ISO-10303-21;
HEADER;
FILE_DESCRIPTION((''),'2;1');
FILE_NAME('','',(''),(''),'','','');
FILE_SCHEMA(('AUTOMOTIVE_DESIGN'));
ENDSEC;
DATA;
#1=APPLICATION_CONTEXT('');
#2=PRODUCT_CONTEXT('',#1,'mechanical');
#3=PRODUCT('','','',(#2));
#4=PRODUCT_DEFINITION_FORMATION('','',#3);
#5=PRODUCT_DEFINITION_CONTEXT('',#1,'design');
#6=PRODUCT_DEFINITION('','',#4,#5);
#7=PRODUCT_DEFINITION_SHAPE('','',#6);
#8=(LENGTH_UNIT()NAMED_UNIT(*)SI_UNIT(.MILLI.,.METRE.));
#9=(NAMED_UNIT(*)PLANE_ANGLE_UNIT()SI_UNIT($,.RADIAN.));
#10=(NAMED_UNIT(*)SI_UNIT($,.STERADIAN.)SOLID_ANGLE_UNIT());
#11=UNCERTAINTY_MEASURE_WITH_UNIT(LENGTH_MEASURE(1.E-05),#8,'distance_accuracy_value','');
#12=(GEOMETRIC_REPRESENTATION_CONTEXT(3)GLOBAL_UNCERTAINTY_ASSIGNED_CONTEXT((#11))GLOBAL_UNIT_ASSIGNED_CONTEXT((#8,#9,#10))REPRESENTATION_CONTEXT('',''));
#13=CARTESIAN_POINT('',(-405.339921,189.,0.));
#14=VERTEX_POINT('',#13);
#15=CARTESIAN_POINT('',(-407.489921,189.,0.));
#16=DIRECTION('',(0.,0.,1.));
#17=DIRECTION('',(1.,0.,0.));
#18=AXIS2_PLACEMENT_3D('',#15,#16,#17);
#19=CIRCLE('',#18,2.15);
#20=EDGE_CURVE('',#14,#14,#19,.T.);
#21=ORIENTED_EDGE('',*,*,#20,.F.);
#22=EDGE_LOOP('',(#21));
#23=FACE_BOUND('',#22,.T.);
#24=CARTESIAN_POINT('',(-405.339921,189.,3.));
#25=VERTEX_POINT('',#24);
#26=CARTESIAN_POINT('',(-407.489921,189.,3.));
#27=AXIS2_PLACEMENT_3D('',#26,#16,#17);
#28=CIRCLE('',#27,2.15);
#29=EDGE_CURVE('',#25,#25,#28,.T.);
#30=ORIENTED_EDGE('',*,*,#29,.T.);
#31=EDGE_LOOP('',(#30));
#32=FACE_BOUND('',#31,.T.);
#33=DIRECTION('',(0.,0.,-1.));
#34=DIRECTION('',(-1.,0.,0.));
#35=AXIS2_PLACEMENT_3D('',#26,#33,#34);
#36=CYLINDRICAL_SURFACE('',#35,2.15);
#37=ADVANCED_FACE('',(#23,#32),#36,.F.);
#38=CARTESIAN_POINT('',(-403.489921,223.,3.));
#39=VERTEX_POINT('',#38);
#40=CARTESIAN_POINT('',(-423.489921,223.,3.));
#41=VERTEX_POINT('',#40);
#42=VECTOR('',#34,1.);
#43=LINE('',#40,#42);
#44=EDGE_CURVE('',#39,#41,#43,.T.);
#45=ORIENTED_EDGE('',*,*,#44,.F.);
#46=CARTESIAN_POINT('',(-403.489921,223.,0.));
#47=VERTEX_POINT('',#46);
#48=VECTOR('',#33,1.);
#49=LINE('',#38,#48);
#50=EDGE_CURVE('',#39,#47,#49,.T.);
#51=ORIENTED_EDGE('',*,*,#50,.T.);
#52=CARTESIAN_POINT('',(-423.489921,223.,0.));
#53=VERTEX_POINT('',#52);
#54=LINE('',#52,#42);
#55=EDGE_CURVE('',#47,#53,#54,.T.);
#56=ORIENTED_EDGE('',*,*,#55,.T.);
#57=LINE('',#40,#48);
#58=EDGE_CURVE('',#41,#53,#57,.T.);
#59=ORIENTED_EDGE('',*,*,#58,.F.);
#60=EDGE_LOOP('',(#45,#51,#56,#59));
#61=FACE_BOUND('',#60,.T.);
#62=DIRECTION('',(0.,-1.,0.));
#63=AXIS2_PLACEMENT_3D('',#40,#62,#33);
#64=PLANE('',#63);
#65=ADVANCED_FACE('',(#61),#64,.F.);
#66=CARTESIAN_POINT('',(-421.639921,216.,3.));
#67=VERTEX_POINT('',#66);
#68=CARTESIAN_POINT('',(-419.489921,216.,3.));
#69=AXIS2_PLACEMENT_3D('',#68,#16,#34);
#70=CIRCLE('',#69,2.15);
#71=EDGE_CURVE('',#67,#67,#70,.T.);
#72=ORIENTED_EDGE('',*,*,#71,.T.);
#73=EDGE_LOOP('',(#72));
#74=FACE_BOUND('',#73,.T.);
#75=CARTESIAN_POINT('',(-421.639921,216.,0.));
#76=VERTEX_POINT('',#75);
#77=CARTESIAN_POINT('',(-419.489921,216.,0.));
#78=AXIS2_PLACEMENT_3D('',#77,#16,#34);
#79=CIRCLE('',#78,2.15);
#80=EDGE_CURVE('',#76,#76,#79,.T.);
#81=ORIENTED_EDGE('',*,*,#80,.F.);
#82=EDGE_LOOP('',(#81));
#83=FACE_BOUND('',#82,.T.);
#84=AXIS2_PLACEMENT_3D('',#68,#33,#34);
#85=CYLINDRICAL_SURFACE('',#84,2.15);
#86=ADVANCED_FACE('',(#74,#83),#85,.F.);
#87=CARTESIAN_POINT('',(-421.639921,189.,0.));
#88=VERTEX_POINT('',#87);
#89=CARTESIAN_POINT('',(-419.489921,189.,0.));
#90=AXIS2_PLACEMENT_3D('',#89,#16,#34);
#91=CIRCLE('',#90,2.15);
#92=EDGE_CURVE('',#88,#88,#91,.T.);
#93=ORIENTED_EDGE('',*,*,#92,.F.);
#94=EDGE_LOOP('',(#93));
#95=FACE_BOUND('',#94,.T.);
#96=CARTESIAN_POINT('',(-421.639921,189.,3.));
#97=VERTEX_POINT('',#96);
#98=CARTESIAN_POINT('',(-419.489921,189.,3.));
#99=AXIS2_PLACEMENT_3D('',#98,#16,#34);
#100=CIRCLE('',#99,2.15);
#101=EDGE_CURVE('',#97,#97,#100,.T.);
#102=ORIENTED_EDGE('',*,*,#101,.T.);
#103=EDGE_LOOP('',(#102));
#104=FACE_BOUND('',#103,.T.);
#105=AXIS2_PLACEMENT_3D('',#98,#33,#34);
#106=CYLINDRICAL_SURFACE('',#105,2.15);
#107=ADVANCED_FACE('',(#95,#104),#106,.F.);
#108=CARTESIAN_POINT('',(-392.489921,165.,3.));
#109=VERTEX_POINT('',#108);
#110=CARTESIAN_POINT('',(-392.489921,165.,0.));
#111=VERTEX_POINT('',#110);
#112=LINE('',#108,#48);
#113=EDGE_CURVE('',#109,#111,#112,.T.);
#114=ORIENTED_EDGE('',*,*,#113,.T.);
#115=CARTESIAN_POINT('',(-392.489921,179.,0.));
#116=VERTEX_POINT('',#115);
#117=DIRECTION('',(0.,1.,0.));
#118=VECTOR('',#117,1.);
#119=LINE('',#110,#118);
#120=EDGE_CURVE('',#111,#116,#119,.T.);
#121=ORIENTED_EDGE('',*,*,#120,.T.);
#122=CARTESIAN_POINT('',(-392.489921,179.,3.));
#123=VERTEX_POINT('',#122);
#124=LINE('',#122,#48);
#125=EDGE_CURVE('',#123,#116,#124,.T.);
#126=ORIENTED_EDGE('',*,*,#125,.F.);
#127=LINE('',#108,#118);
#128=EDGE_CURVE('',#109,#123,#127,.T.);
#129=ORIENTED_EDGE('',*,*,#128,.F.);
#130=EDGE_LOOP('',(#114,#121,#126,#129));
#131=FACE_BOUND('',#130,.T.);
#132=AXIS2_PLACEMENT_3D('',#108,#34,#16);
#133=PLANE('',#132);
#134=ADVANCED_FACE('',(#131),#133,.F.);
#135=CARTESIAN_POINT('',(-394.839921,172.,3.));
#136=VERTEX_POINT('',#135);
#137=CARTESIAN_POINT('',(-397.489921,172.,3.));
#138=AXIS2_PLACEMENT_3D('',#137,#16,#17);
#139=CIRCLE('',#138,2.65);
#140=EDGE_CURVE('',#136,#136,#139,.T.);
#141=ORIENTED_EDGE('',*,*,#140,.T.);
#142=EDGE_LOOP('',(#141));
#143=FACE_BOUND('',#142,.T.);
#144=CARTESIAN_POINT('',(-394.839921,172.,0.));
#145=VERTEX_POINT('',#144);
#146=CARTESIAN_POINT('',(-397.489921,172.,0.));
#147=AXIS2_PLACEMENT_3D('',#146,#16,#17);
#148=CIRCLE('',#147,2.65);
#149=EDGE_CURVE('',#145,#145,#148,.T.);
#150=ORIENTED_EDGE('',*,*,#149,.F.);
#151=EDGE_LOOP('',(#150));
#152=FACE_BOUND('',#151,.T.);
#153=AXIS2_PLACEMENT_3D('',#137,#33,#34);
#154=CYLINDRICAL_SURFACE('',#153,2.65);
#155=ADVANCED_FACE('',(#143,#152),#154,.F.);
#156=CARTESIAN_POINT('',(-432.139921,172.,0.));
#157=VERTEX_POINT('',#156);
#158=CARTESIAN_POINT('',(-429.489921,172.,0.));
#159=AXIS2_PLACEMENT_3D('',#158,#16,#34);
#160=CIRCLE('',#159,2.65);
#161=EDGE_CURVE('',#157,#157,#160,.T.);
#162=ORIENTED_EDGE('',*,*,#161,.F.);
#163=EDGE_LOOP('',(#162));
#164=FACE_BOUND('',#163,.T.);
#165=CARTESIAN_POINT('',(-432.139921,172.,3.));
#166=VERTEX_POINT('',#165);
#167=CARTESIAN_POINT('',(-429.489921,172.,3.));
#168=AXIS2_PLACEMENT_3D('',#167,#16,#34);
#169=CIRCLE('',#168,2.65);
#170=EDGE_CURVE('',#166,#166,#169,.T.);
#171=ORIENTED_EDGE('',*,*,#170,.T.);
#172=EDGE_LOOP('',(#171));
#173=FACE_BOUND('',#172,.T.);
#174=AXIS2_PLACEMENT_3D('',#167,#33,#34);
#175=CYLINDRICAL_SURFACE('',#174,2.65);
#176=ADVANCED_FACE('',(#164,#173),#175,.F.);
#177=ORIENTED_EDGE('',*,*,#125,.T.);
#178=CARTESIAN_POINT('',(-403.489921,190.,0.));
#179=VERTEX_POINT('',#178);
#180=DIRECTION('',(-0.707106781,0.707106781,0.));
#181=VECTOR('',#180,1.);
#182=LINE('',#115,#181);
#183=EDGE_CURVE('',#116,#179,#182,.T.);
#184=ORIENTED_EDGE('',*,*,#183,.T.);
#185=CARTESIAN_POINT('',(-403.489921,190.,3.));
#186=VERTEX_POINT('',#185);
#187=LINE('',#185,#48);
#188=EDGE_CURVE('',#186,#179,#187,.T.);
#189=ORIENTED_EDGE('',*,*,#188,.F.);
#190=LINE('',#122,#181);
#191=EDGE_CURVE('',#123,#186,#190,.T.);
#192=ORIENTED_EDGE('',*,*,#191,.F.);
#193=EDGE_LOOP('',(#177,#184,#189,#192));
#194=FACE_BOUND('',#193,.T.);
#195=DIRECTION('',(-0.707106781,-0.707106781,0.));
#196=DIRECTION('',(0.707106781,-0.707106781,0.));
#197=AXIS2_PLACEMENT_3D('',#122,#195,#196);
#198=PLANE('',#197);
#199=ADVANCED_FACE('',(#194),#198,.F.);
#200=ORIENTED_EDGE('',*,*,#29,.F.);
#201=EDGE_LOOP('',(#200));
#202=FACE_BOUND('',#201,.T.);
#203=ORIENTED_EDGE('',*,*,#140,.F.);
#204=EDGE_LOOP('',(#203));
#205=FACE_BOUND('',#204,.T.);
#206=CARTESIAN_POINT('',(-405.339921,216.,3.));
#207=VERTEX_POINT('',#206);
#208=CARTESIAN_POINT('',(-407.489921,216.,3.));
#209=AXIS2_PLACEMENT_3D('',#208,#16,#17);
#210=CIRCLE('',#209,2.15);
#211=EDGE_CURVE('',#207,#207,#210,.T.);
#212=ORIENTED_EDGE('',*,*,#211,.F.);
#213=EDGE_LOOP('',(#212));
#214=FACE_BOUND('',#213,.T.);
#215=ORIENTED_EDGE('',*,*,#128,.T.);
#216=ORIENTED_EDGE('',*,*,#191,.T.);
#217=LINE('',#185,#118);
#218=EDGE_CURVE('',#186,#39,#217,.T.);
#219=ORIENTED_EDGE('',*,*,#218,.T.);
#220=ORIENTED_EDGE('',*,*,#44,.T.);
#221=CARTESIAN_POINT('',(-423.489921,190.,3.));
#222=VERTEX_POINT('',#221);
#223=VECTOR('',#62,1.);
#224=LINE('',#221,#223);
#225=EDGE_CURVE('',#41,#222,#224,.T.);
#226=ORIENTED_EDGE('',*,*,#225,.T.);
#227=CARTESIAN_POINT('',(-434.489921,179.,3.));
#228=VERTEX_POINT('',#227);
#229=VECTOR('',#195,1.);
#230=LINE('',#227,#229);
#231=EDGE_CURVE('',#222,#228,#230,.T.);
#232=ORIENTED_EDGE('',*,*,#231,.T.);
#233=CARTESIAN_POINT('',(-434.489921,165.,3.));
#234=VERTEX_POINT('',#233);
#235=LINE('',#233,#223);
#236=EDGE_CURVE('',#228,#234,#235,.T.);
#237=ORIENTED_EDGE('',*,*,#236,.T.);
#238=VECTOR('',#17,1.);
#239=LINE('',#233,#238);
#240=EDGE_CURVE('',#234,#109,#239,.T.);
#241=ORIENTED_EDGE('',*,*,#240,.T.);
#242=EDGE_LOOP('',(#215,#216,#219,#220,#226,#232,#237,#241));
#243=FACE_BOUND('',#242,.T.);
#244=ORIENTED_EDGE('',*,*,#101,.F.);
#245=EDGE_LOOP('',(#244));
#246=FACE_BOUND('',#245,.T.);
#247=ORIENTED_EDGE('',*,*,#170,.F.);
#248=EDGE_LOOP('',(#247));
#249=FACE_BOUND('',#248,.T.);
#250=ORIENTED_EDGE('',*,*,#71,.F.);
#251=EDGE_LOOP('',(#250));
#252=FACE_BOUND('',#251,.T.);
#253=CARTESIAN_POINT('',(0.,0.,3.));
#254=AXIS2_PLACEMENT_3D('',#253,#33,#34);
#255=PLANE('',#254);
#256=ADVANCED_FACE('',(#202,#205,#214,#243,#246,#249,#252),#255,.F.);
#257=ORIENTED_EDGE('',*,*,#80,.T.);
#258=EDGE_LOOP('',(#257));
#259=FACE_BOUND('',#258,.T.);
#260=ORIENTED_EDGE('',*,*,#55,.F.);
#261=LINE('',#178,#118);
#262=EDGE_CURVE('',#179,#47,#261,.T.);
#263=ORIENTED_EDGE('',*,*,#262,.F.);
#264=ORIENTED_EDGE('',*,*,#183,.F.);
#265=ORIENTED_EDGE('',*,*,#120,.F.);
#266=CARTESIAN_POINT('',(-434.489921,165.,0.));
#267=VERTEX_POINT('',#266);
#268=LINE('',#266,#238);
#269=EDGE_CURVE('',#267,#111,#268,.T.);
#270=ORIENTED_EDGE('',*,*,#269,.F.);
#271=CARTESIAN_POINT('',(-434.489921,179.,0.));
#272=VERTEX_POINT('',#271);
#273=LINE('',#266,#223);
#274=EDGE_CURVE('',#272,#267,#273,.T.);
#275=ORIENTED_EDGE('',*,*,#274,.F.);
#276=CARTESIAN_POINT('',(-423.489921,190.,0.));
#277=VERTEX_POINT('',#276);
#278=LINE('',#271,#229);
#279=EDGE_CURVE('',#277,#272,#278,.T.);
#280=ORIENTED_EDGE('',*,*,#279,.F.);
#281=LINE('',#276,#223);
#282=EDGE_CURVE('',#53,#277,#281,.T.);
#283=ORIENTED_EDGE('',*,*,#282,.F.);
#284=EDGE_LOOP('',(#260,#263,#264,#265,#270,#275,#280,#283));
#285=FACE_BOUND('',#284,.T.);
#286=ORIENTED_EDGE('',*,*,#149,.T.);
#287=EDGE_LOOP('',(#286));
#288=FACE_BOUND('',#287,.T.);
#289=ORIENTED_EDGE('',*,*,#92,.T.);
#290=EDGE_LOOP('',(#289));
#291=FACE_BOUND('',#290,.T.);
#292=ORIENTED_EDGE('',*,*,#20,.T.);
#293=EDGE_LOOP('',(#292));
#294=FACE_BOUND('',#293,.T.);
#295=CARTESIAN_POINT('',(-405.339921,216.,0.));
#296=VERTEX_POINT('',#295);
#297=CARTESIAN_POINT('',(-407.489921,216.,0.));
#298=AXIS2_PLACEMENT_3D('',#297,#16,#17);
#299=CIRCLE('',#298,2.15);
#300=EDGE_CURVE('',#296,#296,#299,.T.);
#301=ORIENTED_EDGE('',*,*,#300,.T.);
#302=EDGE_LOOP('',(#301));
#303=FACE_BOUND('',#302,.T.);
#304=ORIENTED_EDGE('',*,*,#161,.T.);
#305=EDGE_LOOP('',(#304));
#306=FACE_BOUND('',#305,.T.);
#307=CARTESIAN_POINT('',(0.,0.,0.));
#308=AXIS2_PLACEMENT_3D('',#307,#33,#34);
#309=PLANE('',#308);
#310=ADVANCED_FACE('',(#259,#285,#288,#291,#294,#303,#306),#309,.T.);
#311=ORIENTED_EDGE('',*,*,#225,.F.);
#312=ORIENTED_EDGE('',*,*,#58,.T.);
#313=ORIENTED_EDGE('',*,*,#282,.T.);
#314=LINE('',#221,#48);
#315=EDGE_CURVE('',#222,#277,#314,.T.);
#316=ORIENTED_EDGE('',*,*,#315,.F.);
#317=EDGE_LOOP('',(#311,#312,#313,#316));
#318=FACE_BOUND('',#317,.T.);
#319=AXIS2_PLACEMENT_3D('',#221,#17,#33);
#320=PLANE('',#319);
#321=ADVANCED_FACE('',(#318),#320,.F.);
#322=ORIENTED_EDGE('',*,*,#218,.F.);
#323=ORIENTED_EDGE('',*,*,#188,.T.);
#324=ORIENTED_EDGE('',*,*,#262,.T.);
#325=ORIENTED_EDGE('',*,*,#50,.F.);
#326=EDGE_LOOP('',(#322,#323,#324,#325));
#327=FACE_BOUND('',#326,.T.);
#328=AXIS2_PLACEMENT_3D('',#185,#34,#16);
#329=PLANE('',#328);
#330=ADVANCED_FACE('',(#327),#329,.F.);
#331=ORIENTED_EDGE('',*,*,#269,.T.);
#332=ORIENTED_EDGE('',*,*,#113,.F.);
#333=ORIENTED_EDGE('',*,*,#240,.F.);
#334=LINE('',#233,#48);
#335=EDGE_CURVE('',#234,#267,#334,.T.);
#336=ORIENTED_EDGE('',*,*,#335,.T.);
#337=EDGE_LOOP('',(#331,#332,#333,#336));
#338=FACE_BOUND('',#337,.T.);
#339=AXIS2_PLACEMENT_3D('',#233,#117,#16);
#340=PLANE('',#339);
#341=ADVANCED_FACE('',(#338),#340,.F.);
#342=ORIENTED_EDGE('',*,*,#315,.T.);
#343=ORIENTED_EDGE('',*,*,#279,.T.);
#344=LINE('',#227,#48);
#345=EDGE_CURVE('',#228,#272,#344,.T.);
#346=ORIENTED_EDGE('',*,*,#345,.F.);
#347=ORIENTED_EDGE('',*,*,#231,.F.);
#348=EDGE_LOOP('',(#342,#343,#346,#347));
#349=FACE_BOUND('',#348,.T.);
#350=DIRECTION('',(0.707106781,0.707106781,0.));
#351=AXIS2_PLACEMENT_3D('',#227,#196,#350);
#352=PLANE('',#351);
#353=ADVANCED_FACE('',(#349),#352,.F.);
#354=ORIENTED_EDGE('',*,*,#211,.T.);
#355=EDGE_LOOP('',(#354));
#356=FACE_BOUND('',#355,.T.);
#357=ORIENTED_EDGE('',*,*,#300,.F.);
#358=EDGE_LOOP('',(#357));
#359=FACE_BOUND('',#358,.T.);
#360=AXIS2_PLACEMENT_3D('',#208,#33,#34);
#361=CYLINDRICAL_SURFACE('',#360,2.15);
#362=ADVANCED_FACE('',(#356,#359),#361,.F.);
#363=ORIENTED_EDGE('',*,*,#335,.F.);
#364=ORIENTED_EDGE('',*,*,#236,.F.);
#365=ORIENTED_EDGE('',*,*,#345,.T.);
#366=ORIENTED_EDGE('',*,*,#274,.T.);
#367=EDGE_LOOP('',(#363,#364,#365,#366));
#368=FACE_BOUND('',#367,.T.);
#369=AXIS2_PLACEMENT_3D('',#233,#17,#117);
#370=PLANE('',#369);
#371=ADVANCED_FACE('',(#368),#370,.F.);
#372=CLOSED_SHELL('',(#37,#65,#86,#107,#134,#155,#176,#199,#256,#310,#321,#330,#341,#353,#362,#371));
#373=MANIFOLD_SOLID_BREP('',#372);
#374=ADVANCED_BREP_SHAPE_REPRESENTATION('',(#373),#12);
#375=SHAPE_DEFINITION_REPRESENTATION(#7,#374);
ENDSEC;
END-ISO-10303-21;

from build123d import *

# Parameters (mm, degrees)
SKETCH2_R           = 2.65
SKETCH2_R_2         = 2.15
BOSS_EXTRUDE1_DEPTH = 3


with BuildPart() as part:
    # Sketch2 → Boss-Extrude1 (new body)
    with BuildSketch(Plane.XY):
        Polygon((-434.489921235, 165), (-392.489921235, 165), (-392.489921235, 179), (-403.489921235, 190), (-403.489921235, 223), (-423.489921235, 223), (-423.489921235, 190), (-434.489921235, 179), align=None)
        with Locations((-397.489921235, 172)):
            Circle(SKETCH2_R, mode=Mode.SUBTRACT)
        with Locations((-407.489921235, 216)):
            Circle(SKETCH2_R_2, mode=Mode.SUBTRACT)
        with Locations((-407.489921235, 189)):
            Circle(SKETCH2_R_2, mode=Mode.SUBTRACT)
        with Locations((-429.489921235, 172)):
            Circle(SKETCH2_R, mode=Mode.SUBTRACT)
        with Locations((-419.489921235, 189)):
            Circle(SKETCH2_R_2, mode=Mode.SUBTRACT)
        with Locations((-419.489921235, 216)):
            Circle(SKETCH2_R_2, mode=Mode.SUBTRACT)
    extrude(amount=BOSS_EXTRUDE1_DEPTH)


solid = part.part
